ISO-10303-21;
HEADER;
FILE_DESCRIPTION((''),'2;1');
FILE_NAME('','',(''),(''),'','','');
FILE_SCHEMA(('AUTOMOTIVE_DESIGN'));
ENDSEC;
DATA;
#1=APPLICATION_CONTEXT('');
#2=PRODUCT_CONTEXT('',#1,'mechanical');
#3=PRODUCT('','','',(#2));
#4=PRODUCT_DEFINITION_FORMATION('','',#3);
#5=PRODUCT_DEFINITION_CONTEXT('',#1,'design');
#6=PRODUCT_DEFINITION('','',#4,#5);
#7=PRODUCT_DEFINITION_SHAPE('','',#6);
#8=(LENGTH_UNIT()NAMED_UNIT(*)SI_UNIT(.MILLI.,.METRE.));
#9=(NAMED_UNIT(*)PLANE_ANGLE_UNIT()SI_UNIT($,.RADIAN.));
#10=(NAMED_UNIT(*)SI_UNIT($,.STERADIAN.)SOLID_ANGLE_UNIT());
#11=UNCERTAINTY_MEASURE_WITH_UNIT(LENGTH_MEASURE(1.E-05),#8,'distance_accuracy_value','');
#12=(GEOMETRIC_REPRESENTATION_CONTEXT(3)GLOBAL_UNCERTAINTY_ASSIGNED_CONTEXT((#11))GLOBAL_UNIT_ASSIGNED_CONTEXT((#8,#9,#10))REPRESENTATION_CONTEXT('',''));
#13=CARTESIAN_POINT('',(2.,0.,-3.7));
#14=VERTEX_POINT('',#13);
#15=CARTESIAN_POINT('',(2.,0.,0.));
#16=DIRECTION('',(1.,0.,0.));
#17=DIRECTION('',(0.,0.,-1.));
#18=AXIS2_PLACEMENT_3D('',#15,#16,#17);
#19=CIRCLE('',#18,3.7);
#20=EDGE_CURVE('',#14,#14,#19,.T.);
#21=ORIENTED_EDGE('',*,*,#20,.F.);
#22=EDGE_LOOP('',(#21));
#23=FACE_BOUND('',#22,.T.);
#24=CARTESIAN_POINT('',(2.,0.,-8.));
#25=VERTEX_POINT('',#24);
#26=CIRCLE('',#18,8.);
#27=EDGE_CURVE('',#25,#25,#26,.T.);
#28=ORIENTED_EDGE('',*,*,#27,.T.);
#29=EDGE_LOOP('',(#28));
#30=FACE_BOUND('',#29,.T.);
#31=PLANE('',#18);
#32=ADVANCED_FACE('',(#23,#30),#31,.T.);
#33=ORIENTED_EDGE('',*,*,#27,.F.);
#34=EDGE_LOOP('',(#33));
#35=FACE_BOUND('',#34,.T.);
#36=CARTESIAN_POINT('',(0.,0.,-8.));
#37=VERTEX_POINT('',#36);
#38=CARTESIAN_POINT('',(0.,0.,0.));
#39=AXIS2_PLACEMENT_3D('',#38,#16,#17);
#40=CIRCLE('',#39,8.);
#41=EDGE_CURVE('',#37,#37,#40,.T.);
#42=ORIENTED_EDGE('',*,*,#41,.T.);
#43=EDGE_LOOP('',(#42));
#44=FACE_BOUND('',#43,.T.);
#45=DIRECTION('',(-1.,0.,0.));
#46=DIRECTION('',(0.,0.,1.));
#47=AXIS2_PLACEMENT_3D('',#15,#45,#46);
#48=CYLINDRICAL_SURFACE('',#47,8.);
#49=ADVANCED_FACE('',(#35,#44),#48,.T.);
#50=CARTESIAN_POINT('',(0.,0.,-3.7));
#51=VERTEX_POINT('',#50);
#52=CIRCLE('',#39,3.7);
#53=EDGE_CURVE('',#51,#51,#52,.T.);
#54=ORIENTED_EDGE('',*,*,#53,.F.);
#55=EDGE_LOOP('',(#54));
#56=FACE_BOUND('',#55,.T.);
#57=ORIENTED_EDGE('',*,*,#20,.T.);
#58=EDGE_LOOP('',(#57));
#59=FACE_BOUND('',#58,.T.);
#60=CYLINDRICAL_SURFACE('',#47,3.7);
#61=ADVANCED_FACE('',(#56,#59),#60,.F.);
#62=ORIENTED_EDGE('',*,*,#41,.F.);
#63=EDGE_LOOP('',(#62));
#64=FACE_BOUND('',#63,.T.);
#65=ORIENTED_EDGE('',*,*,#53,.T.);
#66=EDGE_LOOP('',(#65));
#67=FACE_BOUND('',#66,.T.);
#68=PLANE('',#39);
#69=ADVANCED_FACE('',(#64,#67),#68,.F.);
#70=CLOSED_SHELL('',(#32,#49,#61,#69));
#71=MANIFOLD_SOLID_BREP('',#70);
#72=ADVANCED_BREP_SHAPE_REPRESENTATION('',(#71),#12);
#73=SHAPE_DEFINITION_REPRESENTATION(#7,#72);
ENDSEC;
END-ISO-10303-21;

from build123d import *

# Parameters (mm, degrees)
SKETCH1_R          = 8
SKETCH1_R_2        = 3.7
BASE_EXTRUDE_DEPTH = 2


with BuildPart() as part:
    # Sketch1 → Base-Extrude (new body)
    with BuildSketch(Plane(origin=(0, 0, 0), x_dir=(0, 0, -1), z_dir=(1, 0, 0))):
        Circle(SKETCH1_R)
        Circle(SKETCH1_R_2, mode=Mode.SUBTRACT)
    extrude(amount=BASE_EXTRUDE_DEPTH)


solid = part.part
